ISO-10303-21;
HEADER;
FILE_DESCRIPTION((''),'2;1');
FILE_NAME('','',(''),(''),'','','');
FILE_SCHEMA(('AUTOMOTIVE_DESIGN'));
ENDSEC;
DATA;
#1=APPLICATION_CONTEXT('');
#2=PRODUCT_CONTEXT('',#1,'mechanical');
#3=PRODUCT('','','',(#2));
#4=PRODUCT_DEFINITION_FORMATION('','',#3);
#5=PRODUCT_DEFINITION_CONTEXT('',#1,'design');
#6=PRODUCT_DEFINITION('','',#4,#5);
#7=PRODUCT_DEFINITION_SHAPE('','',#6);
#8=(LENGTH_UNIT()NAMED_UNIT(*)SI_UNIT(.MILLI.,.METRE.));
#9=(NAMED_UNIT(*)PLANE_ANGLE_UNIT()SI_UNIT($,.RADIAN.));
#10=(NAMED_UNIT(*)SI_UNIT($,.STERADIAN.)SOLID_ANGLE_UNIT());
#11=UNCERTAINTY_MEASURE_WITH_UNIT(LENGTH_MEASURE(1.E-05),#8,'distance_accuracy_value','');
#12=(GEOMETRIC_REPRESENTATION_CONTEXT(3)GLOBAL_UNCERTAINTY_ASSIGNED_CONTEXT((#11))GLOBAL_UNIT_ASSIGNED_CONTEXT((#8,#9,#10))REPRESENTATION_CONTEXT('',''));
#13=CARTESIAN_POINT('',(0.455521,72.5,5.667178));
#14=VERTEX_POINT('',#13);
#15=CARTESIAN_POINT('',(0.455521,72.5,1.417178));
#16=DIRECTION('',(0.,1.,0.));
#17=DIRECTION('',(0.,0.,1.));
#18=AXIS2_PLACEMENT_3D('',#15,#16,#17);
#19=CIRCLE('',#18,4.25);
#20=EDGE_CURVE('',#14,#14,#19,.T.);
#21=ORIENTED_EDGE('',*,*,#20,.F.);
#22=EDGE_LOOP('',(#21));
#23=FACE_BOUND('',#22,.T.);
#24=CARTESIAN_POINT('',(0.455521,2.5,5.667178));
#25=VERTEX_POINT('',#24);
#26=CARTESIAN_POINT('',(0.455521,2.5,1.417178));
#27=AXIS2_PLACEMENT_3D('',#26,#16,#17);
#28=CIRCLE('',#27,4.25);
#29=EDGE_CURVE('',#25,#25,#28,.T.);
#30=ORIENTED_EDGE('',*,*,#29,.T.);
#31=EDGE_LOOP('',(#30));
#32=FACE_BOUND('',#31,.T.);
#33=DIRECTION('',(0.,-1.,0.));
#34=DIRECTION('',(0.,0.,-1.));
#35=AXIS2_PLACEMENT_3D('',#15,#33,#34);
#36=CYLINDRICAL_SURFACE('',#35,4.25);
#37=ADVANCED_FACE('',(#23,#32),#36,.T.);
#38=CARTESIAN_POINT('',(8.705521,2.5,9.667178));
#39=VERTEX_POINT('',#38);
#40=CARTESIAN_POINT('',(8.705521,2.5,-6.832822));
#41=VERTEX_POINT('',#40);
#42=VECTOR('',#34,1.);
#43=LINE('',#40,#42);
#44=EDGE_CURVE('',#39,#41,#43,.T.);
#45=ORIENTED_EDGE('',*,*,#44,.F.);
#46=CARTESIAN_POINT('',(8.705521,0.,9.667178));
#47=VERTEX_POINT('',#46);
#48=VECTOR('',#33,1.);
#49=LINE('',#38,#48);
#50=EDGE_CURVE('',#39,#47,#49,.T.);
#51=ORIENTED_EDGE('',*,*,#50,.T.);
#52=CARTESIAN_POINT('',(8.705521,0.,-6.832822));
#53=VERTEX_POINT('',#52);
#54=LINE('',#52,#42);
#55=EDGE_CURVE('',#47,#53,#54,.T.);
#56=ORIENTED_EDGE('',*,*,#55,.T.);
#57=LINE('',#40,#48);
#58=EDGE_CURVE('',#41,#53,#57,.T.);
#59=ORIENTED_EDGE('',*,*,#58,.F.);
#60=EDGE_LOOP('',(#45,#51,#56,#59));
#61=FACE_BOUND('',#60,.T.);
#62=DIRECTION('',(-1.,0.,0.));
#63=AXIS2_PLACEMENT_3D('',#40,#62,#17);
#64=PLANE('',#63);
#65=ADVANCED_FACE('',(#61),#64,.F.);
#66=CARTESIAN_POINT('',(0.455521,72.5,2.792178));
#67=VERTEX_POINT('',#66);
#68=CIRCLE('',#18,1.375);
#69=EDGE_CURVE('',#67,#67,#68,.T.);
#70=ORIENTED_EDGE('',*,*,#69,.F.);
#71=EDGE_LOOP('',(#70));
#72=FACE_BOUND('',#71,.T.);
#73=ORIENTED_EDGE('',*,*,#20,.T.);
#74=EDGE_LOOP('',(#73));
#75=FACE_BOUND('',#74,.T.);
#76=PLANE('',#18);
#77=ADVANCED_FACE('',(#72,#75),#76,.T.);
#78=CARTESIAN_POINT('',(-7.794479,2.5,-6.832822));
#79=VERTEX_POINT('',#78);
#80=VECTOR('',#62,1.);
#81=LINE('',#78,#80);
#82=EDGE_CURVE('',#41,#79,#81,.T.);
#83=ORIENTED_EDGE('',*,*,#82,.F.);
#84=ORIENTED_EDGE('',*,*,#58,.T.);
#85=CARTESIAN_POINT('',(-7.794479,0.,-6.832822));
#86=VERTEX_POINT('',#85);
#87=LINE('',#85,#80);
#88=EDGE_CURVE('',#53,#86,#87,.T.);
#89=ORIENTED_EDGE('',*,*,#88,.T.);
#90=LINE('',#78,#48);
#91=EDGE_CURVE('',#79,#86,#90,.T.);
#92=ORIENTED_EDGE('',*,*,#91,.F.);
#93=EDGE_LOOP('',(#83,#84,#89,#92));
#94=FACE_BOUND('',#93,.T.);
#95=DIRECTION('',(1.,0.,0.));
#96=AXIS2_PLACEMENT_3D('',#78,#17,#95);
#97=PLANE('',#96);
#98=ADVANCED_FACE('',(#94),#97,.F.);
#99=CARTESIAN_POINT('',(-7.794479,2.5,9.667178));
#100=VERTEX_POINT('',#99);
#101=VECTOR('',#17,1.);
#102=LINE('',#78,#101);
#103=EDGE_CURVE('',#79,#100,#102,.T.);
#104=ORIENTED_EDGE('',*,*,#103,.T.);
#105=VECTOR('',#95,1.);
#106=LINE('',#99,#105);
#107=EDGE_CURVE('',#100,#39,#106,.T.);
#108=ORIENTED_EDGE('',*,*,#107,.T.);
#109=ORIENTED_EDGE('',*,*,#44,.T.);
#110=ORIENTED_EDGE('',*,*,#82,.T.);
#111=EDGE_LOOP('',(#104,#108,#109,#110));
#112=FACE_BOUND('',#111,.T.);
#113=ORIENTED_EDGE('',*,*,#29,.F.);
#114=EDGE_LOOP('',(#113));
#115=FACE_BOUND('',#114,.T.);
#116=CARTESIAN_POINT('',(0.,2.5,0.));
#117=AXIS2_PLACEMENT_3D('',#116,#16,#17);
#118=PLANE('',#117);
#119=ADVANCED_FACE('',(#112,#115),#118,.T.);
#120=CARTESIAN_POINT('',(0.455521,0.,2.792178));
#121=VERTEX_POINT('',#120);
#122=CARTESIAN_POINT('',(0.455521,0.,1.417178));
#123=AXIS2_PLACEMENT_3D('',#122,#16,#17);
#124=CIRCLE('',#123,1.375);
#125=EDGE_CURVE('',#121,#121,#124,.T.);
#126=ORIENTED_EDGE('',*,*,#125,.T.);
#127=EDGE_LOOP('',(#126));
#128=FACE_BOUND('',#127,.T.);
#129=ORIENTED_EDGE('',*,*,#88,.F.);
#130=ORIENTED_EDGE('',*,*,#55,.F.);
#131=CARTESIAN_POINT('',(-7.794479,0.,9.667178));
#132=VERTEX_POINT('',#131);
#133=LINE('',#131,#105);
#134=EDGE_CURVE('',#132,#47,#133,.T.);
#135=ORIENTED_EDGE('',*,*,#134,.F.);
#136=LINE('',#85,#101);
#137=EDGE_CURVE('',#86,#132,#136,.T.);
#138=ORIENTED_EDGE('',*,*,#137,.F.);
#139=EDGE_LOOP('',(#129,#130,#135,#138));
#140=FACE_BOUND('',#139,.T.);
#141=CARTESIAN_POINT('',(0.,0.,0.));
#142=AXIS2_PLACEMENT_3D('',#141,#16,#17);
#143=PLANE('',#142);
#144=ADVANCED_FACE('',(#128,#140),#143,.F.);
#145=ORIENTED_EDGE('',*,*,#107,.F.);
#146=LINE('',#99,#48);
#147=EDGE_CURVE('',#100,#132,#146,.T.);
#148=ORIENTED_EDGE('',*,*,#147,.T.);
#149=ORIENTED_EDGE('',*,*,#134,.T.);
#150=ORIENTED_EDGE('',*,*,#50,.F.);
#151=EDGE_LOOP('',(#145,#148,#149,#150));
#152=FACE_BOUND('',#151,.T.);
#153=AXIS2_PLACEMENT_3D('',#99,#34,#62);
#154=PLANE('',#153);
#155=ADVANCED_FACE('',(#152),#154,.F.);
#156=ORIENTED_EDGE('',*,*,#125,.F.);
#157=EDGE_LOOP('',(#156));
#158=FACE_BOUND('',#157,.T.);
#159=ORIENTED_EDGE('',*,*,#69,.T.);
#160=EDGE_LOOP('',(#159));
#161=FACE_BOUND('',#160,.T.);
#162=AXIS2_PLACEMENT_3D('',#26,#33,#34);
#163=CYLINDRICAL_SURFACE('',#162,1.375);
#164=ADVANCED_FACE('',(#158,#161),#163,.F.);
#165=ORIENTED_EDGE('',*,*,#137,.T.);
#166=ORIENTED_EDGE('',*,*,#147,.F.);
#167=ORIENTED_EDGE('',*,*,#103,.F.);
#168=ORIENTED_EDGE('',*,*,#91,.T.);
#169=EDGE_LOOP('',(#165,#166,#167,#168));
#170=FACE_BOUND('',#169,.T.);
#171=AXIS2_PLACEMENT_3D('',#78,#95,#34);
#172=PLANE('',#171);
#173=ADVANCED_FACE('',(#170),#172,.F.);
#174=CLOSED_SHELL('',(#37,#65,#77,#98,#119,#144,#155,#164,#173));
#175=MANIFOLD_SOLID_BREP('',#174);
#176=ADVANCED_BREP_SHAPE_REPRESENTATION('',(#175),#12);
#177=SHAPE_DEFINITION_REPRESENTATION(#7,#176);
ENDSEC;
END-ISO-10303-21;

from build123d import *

# Parameters (mm, degrees)
SKETCH1_W           = 16.5
SKETCH1_H           = 16.5
SKETCH1_R           = 1.375
BOSS_EXTRUDE1_DEPTH = 2.5
SKETCH2_R           = 4.25
SKETCH2_R_2         = 1.375
BOSS_EXTRUDE2_DEPTH = 70


with BuildPart() as part:
    # Sketch1 → Boss-Extrude1 (new body)
    with BuildSketch(Plane(origin=(0, 0, 0), x_dir=(1, 0, 0), z_dir=(0, 1, 0))):
        with Locations((0.455521472, -1.417177914)):
            Rectangle(SKETCH1_W, SKETCH1_H)
        with Locations(Location((0.455521472, -1.417177914, 0), (0, 0, 270))):
            Circle(SKETCH1_R, mode=Mode.SUBTRACT)
    extrude(amount=BOSS_EXTRUDE1_DEPTH)

    # Sketch2 → Boss-Extrude2 (add)
    with BuildSketch(Plane(origin=(0, 2.5, 0), x_dir=(1, 0, 0), z_dir=(0, 1, 0))):
        with Locations(Location((0.455521472, -1.417177914, 0), (0, 0, 270))):
            Circle(SKETCH2_R)
        with Locations(Location((0.455521472, -1.417177914, 0), (0, 0, 270))):
            Circle(SKETCH2_R_2, mode=Mode.SUBTRACT)
    extrude(amount=BOSS_EXTRUDE2_DEPTH)


solid = part.part
